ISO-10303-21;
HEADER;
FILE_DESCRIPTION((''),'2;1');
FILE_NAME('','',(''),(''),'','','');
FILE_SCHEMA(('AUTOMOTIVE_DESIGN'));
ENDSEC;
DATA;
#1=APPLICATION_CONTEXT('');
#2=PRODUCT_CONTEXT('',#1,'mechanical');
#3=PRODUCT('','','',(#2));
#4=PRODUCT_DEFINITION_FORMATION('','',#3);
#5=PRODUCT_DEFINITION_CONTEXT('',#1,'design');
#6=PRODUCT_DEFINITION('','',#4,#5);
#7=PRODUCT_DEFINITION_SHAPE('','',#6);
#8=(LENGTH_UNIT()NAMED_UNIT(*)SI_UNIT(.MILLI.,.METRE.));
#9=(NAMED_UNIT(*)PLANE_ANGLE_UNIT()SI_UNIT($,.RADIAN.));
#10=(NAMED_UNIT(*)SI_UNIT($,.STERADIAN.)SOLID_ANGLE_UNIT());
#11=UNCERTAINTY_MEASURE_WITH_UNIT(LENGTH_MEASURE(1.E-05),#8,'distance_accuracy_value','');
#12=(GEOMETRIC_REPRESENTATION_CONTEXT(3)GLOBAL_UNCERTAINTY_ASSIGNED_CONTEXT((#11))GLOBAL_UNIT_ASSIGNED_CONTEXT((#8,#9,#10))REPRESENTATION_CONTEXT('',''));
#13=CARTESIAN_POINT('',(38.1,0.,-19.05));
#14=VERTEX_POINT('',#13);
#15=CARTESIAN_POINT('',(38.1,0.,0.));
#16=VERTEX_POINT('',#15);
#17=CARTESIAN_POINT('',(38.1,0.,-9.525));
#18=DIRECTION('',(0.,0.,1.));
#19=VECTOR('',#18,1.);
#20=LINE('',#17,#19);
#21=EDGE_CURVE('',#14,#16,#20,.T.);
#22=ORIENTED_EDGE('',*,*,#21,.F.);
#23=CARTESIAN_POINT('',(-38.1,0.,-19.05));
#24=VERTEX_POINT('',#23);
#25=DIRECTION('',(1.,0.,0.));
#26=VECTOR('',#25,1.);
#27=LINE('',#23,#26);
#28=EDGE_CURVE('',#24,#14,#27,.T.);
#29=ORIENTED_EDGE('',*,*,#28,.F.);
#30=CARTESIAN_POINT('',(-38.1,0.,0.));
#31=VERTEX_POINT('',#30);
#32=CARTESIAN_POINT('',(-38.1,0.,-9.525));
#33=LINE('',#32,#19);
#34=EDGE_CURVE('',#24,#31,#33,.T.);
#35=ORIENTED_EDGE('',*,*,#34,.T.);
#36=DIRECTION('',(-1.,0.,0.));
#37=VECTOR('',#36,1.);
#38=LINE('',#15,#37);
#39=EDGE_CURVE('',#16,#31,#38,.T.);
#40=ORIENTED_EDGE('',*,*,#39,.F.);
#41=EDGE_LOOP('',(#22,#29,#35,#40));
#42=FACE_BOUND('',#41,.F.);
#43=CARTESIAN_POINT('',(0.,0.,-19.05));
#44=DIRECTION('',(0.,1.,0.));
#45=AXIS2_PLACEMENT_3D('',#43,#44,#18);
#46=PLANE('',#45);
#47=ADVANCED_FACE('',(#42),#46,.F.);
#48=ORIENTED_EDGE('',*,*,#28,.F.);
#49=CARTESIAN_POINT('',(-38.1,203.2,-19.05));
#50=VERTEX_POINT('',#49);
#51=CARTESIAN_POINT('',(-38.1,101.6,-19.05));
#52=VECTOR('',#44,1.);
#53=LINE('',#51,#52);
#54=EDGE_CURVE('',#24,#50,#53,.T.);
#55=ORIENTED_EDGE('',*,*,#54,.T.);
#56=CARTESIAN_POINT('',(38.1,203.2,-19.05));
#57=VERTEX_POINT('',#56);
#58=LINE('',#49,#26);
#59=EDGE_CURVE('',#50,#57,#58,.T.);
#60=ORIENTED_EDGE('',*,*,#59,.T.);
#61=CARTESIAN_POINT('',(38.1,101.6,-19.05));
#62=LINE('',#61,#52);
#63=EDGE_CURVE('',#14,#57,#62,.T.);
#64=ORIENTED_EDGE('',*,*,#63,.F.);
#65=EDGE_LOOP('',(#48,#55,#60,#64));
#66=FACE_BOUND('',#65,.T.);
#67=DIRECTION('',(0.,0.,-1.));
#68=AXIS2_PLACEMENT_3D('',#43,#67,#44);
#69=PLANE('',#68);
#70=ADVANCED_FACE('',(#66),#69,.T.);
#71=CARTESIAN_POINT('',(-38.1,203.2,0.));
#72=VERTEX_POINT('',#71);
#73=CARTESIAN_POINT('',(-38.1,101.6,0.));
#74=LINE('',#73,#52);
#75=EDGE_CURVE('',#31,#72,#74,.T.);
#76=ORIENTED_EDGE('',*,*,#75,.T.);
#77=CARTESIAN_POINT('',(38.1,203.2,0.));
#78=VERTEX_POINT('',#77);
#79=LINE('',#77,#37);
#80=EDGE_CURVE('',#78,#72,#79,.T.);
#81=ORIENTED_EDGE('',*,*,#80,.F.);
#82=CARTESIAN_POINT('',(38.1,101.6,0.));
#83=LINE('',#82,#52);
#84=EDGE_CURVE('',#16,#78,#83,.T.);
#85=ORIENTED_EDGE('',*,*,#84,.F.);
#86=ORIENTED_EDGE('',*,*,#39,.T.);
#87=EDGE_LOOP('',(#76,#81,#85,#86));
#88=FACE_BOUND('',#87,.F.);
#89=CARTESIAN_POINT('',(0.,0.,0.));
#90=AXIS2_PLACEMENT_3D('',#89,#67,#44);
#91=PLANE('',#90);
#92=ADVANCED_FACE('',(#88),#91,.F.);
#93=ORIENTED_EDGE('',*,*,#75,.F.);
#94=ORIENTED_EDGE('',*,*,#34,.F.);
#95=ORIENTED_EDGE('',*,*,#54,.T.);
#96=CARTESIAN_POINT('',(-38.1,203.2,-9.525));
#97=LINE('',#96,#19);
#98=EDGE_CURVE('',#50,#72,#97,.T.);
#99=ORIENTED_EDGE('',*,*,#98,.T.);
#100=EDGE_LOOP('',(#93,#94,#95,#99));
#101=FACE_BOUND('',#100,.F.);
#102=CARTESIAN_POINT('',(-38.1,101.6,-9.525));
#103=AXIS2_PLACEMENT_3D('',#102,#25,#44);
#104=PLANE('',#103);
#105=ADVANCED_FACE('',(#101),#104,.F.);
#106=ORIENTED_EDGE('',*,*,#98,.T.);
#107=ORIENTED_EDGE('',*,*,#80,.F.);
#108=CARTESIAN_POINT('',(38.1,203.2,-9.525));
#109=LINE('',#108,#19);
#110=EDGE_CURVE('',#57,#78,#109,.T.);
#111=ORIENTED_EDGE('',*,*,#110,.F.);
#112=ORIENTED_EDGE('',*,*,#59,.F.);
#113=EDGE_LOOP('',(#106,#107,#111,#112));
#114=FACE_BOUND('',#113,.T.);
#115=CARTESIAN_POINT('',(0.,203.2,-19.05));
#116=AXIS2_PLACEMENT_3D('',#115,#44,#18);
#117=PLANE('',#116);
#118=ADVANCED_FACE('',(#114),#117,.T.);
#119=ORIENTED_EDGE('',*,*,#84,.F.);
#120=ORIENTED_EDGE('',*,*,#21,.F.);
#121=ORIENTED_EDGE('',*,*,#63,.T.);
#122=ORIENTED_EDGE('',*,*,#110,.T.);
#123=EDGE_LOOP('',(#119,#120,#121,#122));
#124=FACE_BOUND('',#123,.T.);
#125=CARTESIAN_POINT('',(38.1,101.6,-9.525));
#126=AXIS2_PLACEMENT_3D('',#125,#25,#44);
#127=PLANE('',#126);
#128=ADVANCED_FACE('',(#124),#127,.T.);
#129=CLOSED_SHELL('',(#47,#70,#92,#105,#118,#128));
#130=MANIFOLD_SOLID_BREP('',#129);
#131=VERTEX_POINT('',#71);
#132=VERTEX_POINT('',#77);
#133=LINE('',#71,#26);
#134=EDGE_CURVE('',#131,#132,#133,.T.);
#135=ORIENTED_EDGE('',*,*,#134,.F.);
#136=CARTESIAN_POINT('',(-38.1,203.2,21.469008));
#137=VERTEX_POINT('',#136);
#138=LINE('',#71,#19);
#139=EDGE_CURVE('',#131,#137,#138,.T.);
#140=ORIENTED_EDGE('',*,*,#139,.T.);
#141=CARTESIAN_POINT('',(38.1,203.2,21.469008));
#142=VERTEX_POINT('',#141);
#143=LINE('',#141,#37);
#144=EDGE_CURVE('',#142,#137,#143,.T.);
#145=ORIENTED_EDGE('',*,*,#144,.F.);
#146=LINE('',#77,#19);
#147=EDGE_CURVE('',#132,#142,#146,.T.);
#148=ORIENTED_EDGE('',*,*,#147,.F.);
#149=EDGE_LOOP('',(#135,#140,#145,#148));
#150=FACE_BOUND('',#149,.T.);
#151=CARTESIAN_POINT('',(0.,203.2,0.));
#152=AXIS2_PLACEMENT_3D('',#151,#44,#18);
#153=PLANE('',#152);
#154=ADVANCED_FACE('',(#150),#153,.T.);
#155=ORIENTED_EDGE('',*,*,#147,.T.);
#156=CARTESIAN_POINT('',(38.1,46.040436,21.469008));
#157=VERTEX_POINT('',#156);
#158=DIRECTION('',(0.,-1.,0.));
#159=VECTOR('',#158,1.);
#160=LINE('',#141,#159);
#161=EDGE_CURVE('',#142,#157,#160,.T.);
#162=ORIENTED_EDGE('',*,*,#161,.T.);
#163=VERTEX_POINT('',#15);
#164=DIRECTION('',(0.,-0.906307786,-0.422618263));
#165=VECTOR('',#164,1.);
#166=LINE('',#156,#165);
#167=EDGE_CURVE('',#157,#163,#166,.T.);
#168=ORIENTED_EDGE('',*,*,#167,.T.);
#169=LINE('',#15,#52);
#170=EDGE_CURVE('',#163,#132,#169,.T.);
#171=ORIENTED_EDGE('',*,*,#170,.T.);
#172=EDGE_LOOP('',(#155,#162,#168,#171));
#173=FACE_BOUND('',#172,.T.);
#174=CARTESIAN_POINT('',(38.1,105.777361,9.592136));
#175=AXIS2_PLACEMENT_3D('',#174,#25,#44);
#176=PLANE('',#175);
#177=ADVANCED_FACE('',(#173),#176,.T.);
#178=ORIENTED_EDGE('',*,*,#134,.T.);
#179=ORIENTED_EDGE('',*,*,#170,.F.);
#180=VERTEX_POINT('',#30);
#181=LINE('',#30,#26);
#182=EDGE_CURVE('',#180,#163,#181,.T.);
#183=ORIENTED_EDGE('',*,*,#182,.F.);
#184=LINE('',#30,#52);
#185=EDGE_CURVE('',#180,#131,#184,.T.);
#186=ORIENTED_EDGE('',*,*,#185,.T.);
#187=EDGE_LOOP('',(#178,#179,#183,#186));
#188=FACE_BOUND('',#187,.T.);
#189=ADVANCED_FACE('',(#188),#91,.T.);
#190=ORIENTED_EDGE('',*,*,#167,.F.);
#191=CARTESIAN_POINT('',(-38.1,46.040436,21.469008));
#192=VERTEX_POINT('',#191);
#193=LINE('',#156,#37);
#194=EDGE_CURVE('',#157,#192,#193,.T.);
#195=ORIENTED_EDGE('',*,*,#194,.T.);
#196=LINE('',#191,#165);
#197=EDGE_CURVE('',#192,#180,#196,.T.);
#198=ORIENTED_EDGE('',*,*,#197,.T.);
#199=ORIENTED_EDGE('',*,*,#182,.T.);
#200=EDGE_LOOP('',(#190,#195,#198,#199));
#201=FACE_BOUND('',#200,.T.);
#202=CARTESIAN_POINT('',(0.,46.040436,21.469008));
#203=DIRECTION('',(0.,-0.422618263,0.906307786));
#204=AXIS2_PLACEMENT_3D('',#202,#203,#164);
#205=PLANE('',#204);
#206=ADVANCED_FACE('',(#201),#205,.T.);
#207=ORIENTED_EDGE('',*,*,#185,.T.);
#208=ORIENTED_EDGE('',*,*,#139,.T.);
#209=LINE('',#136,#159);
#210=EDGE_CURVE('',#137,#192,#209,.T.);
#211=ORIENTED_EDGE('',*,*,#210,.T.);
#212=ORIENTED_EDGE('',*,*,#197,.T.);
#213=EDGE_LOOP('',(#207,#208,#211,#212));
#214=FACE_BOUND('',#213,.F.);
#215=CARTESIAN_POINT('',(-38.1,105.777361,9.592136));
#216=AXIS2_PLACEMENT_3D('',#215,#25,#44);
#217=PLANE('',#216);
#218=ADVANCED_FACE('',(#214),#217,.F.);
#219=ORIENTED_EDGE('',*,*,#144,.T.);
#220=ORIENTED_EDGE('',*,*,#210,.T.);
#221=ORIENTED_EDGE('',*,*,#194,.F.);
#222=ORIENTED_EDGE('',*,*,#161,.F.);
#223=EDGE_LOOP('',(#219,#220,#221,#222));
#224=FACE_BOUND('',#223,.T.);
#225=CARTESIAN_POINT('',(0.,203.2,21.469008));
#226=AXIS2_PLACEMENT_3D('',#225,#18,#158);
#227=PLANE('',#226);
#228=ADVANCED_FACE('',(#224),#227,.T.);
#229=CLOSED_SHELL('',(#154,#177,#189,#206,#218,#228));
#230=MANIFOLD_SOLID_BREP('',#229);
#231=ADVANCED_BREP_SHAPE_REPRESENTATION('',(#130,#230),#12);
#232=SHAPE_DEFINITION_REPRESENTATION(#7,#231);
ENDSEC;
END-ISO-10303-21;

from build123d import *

# Parameters (mm, degrees)
F1_DEPTH = 38.1
F2_W     = 203.2
F2_H     = 19.05
F3_DEPTH = 38.1


with BuildPart() as f1:
    # F0 (on Right) → F1 (new body, symmetric)
    with BuildSketch(Plane.YZ):
        Polygon((46.040436, 21.469008), (0, 0), (203.2, 0), (203.2, 21.469008), align=None)
    extrude(amount=F1_DEPTH, both=True)


with BuildPart() as f3:
    # F2 (on Right) → F3 (new body, symmetric)
    with BuildSketch(Plane.YZ):
        with Locations((101.6, -9.525)):
            Rectangle(F2_W, F2_H)
    extrude(amount=F3_DEPTH, both=True)


solid = Compound([f1.part, f3.part])
